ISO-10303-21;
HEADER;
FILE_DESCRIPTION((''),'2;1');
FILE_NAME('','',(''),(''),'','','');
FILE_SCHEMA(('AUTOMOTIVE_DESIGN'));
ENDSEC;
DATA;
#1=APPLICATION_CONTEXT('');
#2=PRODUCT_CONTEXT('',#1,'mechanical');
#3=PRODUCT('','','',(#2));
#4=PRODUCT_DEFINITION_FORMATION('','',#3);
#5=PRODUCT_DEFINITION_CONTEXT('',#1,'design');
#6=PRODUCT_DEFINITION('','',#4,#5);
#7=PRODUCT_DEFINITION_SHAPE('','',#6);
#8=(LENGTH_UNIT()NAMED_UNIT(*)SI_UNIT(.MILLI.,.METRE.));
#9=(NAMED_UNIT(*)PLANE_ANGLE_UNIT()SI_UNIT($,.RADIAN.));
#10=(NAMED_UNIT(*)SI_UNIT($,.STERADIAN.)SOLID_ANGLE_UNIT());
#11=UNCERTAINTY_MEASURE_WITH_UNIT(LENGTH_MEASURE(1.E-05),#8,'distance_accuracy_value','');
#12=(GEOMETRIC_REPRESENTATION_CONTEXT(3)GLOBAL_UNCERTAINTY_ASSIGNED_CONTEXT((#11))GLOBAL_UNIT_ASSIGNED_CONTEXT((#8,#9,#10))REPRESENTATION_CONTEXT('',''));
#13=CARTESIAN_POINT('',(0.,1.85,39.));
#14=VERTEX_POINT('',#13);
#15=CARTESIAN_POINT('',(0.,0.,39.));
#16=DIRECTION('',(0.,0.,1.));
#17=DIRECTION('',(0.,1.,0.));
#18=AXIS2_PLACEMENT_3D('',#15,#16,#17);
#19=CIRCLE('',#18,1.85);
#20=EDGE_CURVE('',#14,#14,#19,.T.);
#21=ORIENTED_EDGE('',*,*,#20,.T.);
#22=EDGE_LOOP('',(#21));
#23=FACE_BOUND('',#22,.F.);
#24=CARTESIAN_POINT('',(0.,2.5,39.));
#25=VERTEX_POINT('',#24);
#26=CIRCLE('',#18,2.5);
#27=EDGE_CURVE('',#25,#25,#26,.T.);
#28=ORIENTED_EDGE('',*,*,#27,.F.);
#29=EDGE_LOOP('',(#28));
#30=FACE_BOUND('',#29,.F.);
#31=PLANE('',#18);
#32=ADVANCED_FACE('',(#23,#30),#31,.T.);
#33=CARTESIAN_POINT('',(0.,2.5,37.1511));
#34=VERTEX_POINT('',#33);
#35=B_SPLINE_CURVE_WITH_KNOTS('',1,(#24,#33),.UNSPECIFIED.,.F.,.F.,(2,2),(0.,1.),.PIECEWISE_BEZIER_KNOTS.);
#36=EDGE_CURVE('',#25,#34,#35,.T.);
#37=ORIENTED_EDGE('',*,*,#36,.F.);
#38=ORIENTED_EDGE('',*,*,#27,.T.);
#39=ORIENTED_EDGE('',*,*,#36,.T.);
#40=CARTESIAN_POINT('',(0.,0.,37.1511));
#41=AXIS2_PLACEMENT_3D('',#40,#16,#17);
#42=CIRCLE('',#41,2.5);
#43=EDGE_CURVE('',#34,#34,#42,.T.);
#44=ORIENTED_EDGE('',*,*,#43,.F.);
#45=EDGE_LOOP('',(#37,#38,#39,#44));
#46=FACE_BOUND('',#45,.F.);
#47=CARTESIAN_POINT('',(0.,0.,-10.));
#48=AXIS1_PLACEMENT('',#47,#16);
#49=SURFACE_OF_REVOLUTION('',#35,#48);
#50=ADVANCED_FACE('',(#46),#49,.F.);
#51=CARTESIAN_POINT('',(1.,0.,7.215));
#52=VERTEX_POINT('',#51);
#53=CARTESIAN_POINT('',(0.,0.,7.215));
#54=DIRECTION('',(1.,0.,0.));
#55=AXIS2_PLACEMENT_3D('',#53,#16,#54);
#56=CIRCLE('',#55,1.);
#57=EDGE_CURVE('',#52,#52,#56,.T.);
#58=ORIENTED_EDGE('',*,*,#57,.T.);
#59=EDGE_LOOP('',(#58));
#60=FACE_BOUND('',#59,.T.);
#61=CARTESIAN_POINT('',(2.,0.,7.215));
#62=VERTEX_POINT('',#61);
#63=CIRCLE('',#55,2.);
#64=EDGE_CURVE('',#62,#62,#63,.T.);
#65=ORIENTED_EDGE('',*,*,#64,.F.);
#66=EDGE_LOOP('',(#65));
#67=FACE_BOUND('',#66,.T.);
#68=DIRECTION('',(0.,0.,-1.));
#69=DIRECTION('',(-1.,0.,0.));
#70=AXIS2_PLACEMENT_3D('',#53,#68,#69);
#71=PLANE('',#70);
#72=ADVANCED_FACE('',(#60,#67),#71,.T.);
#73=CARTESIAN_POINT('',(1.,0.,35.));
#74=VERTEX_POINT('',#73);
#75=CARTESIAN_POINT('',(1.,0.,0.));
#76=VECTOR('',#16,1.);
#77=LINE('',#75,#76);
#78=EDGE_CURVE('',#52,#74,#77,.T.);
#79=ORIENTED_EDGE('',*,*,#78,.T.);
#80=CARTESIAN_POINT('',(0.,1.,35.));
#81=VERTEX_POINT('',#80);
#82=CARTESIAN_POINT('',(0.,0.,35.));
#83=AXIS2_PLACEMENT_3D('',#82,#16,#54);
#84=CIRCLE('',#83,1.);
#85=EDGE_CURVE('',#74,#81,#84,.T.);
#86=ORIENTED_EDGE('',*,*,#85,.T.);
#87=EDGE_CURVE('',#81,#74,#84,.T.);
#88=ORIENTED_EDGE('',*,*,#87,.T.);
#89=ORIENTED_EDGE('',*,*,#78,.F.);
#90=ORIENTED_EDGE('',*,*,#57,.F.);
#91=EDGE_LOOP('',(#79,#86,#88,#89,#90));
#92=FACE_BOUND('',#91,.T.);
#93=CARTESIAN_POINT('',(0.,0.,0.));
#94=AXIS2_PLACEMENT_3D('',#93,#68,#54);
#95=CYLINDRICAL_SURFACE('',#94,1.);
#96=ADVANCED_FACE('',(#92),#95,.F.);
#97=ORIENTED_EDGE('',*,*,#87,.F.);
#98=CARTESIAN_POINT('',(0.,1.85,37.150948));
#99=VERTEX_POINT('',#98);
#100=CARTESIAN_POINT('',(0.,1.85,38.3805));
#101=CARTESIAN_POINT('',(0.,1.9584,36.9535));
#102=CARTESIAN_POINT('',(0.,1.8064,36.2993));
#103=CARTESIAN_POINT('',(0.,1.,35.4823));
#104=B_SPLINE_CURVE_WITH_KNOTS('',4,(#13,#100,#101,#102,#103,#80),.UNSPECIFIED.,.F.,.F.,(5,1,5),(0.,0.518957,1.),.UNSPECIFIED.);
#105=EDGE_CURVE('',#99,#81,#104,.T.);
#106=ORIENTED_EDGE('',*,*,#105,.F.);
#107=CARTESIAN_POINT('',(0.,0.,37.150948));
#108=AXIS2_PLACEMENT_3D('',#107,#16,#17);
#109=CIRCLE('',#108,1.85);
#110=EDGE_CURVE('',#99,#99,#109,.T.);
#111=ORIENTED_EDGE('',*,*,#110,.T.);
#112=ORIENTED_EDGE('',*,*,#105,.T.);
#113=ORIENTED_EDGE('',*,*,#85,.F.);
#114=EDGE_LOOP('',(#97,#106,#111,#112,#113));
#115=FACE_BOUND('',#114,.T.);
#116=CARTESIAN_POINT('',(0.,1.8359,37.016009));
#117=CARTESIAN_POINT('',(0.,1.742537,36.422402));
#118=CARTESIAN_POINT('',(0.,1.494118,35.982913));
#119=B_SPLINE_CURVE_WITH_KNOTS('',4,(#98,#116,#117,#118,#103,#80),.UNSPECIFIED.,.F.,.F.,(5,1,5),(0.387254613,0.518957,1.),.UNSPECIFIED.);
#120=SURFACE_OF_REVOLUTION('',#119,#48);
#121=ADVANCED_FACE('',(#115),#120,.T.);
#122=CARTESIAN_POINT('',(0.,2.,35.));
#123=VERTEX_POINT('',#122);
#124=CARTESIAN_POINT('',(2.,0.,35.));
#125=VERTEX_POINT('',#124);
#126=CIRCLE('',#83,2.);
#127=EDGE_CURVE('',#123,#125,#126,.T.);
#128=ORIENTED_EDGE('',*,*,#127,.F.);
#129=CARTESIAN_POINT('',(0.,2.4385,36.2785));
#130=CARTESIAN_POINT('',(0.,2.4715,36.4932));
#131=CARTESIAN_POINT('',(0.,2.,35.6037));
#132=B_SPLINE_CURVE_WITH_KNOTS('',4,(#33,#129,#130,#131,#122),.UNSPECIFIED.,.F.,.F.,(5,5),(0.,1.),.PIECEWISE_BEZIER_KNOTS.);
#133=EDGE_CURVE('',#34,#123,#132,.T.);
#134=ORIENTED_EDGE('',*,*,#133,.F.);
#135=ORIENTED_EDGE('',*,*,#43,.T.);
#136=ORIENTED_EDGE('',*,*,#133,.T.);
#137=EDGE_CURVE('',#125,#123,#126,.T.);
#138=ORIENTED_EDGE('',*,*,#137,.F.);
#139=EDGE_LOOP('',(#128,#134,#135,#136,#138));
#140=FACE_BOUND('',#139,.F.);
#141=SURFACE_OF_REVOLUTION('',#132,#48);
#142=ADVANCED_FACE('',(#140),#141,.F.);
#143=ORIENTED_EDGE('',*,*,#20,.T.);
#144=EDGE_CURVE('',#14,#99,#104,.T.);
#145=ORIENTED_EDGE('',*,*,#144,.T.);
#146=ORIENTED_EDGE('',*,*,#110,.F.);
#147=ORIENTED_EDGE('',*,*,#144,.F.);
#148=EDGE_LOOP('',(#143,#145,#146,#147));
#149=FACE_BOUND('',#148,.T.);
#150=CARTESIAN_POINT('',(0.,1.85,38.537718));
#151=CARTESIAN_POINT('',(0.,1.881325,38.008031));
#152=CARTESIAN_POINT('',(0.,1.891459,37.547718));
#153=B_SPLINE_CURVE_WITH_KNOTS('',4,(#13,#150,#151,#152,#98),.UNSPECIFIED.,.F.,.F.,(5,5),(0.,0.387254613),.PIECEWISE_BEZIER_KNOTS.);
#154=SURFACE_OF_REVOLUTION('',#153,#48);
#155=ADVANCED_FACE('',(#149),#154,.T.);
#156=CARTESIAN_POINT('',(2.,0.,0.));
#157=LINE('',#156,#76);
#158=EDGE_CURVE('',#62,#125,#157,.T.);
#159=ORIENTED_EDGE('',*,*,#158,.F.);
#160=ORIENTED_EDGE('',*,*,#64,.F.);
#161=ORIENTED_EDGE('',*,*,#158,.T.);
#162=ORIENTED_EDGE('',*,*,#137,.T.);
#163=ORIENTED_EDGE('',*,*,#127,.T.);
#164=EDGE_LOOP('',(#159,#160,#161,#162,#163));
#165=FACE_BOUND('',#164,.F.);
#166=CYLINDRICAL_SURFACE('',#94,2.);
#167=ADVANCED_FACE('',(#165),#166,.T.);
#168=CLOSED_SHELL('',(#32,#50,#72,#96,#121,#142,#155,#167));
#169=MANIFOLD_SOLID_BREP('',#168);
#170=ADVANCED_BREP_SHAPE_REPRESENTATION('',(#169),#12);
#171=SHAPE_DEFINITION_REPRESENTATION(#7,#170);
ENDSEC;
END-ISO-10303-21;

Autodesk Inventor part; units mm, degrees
ref_plane "YZ Plane" through (0, 0, 0) normal (1, 0, 0) x (0, 1, 0)
ref_plane "XZ Plane" through (0, 0, 0) normal (0, 1, 0) x (-1, 0, 0)
ref_plane "XY Plane" through (0, 0, 0) normal (0, 0, 1) x (1, 0, 0)
sketch "Sketch1" plane through (0, 0, 0) normal (0, 0, 1) x (1, 0, 0)
  circle A0 centre (0, 0) radius 2
  circle A1 centre (0, 0) radius 1
  dimension "d0" = 2
  dimension "d1" = 4
extrude "Extrusion1" add sketch "Sketch1" along normal blind 35
sketch "Sketch2" plane through (0, 0, 0) normal (1, 0, 0) x (0, 1, 0)
  line L0 (-2, 35) -> (2, 35) projected
  line L1 (-2, 35) -> (2, 35) projected
  line L2 (-2, 0) -> (2, 0) projected
  line L3 (1, 0) -> (1, 35) projected
  line L4 (2, 0) -> (2, 35) projected
  line L5 (-2, 0) -> (-2, 35) projected
  line L6 (0, -7.8082) -> (0, 46.8491) projected
  line L7 (-1, 0) -> (-1, 35) projected
  spline S0 degree 4 poles (2.5, 37.1511) (2.4385, 36.2785) (2.4715, 36.4932) (2, 35.6037) (2, 35) knots 0 0 0 0 0 1 1 1 1 1
  line L8 (1.85, 39) -> (2.5, 39)
  line L9 (2.5455, 37.7966) -> (2.4545, 36.5056) construction
  arc A0 (2.5379, 37.6674) -> (2.4651, 36.6346) centre (93.2146, 30.7544) ccw construction
  line L10 (1, 35) -> (2, 35)
  spline S1 degree 4 poles (1.85, 39) (1.85, 38.3805) (1.9584, 36.9535) (1.8064, 36.2993) (1, 35.4823) (1, 35) knots 0 0 0 0 0 0.518957 1 1 1 1 1
  line L11 (1.85, 39) -> (1.85, 33.7099)
  spline S2 degree 1 poles (2.5, 39) (2.5, 37.1511) knots 0 0 1 1
  point P0 (0, 0)
  point P1 (2.85, 39)
  point P2 (1.85, 37.1511)
  point P3 (1.4925, 36.0895)
  dimension "d6" = 1
  dimension "d9" = 4
  dimension "d10" = 0.65
  dimension "d11" = 2.5
revolve "Revolution1" add sketch "Sketch2" angle 360 about axis through (0, 0, -10) along (0, 0, 1) contours S1 L11 L0 | L11 S1 L8 S2 S0 L0
sketch "Sketch3" plane through (0, 0, 0) normal (0, 0, -1) x (-1, 0, 0)
  circle A0 centre (0, 0) radius 2 projected
  circle A1 centre (0, 0) radius 1 projected
  circle A2 centre (0, 0) radius 2
extrude "Extrusion2" cut sketch "Sketch3" against normal blind 7.215
equation "\"d0\" = GuideTubingID"
equation "\"d1\" = GuideTubingOD"
equation "\"d10\" = 0.65 * d6"
equation "\"baseOD\" = 23"
equation "\"baseInitD\" = 4"
equation "\"baseTh0\" = 48.463041deg"
equation "\"baseTh1\" = 23.073918deg"
equation "\"topD\" = 14"
equation "\"topInitD\" = 4"
equation "\"topTh0\" = 16.60155deg"
equation "\"topTh1\" = 86.796901deg"
equation "\"dFlexure\" = 0.38"
equation "\"lFlexure\" = 1.5"
equation "\"lFlexureOffset\" = 1.95"
equation "\"dMotor\" = 1.44"
equation "\"lMotor\" = 22.35"
equation "\"topH\" = 21.66629"
equation "\"springBaseD\" = 8"
equation "\"springTopD\" = 8"
equation "\"springInitL\" = 12.7"
equation "\"springLset\" = 3.5"
equation "\"springDeform\" = 18.16629"
equation "\"springL\" = 30.86629"
equation "\"springLO\" = 33.86629"
equation "\"springUnderCut\" = 9.2"
equation "\"dM1X\" = 6.73587"
equation "\"dM1Y\" = 2.34012"
equation "\"dM2X\" = -1.34133"
equation "\"dM2Y\" = 7.00349"
equation "\"dM1Xt\" = 6.59227"
equation "\"dM1Yt\" = -0.43704"
equation "\"dM2Xt\" = -3.67462"
equation "\"dM2Yt\" = 5.49055"
equation "\"GuideRod\" = 2"
equation "\"GuideTubingOD\" = 4"
equation "\"GuideTubingID\" = 2"
equation "\"CSpringOD\" = 5.537"
equation "\"CSpringCD\" = 0.254"
equation "\"CSpringID\" = 5.029"
equation "\"d7\" = d6"
properties part number "Spring Guide Tube" material "Viton"
